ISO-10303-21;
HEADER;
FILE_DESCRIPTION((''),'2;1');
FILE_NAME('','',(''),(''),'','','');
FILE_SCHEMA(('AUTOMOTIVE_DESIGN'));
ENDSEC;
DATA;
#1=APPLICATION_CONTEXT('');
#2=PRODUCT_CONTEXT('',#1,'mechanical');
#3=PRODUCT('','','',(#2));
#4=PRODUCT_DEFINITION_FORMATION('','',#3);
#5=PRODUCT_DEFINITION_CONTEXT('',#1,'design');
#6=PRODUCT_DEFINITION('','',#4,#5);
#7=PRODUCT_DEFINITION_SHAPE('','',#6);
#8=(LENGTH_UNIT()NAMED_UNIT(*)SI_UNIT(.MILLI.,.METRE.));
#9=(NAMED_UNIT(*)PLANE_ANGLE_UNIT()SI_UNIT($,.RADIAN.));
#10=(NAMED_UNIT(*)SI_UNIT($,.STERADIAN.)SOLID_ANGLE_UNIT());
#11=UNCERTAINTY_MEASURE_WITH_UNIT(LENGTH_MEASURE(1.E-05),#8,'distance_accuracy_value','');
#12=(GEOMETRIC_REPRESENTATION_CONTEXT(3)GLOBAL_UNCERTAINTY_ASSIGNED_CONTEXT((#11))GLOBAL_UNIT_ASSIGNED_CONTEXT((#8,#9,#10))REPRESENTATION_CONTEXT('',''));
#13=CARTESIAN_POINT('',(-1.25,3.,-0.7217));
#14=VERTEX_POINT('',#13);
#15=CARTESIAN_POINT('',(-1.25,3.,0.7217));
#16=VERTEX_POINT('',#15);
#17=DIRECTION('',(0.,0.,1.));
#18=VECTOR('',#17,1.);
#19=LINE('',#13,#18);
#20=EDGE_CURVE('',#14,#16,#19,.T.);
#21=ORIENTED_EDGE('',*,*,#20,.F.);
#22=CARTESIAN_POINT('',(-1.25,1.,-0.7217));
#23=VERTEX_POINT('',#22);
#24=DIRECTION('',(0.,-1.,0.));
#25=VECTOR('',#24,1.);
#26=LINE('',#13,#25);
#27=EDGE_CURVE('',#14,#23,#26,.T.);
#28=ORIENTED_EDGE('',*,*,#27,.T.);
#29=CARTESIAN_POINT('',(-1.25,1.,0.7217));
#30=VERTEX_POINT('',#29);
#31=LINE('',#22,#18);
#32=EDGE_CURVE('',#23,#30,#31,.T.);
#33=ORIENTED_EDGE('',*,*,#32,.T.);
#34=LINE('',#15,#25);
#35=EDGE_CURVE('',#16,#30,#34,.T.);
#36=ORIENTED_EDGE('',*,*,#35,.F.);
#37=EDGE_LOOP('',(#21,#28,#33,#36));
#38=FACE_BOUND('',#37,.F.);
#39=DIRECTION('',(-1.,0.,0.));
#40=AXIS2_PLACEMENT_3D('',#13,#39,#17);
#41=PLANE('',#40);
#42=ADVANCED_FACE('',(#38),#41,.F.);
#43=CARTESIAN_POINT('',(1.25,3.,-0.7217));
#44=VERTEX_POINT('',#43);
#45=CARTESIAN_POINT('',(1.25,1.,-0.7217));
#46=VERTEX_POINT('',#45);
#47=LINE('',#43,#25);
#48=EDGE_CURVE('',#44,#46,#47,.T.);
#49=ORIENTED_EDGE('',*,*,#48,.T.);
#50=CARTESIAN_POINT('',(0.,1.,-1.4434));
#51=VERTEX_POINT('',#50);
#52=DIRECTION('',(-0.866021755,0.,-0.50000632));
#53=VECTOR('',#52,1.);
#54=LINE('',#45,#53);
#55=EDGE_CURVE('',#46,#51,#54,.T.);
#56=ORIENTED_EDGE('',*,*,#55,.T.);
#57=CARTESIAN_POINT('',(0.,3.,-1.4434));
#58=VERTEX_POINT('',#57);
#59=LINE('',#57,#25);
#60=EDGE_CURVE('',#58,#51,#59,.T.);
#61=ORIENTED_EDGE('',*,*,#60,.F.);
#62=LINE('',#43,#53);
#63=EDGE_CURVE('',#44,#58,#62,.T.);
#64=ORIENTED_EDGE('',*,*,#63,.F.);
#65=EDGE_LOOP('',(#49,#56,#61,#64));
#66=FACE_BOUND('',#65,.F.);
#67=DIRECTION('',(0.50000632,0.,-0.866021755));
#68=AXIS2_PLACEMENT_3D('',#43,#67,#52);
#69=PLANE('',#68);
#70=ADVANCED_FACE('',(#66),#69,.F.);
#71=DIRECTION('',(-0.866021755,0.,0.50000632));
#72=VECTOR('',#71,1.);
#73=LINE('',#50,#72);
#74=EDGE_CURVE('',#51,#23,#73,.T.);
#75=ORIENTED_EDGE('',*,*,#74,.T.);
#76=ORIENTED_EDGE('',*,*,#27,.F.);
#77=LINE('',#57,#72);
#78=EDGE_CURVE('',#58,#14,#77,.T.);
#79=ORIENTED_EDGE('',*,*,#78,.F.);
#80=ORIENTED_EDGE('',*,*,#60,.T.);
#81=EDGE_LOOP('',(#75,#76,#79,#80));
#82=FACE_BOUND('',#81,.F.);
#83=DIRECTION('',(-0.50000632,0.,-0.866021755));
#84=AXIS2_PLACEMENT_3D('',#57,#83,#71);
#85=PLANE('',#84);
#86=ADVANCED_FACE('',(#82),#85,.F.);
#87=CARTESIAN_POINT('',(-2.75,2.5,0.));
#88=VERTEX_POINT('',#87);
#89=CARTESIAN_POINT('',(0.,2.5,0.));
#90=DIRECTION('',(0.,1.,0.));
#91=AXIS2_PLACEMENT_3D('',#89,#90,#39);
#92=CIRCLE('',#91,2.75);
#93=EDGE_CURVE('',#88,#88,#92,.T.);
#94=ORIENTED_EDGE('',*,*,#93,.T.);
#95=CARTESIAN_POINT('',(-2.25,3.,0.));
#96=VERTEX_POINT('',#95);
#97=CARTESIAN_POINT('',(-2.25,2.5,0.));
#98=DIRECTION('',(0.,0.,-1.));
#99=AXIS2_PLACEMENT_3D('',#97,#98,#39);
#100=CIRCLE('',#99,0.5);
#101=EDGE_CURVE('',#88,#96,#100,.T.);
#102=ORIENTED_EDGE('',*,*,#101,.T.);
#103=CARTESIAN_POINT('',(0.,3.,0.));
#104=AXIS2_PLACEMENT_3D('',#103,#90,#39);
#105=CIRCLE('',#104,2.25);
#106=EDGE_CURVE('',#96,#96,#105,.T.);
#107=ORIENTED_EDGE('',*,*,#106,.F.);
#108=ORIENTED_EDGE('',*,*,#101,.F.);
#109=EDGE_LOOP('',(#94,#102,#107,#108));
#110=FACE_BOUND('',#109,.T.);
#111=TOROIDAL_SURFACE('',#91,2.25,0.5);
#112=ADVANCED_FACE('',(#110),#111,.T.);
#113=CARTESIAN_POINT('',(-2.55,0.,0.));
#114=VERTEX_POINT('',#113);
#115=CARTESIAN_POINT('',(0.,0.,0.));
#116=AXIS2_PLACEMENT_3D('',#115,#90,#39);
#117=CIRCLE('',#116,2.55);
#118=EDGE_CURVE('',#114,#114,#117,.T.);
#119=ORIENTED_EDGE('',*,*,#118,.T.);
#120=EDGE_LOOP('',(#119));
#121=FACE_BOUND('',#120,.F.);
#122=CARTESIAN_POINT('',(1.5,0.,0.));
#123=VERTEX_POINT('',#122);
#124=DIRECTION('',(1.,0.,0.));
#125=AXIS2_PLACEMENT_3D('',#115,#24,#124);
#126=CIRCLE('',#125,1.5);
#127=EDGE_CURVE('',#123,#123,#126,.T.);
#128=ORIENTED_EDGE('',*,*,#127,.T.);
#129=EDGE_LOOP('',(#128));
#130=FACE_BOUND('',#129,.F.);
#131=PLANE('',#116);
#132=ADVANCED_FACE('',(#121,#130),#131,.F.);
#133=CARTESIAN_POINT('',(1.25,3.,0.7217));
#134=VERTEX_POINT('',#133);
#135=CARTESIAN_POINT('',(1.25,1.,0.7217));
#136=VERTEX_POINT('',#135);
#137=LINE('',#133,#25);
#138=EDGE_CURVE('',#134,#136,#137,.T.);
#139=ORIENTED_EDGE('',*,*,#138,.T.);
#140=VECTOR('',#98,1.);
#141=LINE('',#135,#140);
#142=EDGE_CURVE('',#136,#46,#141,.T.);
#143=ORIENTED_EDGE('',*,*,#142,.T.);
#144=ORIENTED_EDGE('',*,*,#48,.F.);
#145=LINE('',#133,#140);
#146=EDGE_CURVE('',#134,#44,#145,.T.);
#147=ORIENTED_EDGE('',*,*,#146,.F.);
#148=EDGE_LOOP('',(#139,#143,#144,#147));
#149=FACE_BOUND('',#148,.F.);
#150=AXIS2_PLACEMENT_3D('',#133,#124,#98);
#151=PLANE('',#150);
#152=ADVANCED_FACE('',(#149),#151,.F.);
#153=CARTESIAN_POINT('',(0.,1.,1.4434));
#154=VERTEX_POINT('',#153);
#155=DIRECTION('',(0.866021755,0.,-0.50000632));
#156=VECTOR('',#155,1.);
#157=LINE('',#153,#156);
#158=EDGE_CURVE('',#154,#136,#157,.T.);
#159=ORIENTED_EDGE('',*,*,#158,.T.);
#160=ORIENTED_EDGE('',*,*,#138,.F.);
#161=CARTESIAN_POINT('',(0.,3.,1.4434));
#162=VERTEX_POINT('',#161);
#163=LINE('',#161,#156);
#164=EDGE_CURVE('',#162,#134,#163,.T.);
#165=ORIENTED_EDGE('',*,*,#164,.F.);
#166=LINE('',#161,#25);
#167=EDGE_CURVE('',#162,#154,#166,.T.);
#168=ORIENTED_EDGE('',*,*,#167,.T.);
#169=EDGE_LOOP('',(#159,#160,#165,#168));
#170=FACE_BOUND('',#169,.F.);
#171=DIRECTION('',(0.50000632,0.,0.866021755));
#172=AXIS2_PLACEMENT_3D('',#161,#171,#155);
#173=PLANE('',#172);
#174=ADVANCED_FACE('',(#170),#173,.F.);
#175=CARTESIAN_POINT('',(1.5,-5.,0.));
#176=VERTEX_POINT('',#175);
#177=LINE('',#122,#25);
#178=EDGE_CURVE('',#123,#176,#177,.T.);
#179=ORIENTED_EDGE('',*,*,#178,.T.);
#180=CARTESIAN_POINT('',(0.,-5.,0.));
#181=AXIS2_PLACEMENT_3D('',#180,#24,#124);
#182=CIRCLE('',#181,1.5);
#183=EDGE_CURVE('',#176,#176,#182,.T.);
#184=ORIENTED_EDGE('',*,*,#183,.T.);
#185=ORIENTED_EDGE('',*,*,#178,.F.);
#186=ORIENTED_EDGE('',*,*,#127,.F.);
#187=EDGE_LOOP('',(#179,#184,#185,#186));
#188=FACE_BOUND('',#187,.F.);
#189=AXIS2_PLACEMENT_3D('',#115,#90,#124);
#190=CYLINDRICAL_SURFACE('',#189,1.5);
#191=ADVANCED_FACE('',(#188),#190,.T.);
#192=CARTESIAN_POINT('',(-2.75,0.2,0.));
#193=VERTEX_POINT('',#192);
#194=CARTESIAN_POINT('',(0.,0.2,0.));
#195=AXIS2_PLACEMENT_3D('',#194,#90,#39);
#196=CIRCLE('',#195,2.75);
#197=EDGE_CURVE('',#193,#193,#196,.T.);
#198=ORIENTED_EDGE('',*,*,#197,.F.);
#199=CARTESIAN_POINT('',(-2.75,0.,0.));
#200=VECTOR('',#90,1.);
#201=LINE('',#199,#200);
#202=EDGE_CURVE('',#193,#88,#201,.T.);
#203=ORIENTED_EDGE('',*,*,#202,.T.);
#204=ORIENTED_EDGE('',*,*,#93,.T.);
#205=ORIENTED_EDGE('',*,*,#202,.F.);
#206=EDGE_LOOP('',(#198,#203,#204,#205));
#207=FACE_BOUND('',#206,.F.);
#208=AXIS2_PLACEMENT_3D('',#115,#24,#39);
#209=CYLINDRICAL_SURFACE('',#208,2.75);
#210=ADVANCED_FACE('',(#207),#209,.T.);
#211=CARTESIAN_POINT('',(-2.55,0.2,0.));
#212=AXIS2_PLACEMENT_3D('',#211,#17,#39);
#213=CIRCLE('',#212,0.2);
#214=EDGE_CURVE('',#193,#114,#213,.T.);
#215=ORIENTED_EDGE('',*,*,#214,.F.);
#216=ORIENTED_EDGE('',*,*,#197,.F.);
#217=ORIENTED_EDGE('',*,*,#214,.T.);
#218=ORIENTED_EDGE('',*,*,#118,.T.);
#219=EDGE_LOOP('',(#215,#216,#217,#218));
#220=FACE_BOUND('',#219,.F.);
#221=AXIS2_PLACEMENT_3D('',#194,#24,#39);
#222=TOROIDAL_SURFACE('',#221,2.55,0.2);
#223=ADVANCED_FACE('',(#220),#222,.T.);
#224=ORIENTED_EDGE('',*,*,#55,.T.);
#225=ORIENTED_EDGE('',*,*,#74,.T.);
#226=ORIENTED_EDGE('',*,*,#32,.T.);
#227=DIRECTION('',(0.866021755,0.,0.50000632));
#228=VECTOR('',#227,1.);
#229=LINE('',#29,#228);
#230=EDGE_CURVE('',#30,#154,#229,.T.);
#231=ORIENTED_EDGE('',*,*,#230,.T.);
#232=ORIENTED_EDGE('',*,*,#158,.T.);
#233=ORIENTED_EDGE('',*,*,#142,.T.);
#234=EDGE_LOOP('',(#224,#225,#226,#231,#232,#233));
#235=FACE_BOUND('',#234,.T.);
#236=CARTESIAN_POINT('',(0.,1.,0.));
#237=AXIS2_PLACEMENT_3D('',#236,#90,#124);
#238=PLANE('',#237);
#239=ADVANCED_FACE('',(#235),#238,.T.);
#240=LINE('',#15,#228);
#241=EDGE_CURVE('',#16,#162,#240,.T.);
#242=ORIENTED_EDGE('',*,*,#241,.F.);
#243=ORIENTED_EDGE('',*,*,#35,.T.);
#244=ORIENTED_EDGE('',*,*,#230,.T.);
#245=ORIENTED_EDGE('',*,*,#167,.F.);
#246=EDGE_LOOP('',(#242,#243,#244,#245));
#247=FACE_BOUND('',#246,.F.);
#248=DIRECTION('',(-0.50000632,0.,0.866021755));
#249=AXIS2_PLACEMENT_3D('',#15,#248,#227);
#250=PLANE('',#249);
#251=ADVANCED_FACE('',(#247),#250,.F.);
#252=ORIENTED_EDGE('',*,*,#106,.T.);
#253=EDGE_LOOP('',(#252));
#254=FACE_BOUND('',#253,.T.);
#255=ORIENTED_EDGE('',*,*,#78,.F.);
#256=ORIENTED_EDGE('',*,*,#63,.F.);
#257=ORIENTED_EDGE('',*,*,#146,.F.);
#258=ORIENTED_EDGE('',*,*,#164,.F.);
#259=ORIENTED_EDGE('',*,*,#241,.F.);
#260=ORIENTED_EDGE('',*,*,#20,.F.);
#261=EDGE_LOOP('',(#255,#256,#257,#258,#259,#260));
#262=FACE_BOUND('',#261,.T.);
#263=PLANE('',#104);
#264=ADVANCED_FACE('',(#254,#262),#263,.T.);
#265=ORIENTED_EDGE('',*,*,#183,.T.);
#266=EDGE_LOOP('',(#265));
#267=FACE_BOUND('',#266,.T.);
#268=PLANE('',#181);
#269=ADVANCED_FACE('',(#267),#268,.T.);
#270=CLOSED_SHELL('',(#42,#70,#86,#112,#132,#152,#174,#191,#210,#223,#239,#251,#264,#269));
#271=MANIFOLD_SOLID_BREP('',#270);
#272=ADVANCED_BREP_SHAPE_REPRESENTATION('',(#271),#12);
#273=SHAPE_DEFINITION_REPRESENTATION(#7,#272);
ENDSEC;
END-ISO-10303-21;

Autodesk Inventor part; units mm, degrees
ref_plane "YZ Plane" through (0, 0, 0) normal (1, 0, 0) x (0, 1, 0)
ref_plane "XZ Plane" through (0, 0, 0) normal (0, 1, 0) x (-1, 0, 0)
ref_plane "XY Plane" through (0, 0, 0) normal (0, 0, 1) x (1, 0, 0)
sketch "スケッチ1" plane through (0, 0, 0) normal (0, 1, 0) x (-1, 0, 0)
  circle A0 centre (0, 0) radius 2.75
  dimension "d0" = 5.5
extrude "押し出し1" add sketch "スケッチ1" along normal blind 3
sketch "スケッチ2" plane through (0, 0, 0) normal (0, -1, 0) x (1, 0, 0)
  circle A0 centre (0, 0) radius 1.5
  dimension "d3" = 3
extrude "押し出し2" add sketch "スケッチ2" along normal blind 5
fillet "フィレット1" radius 0.5 1 edges at (2.75, 3, 0)
fillet "フィレット1" radius 0.2 1 edges at (2.75, 0, 0)
sketch "スケッチ3" plane through (0, 3, 0) normal (0, 1, 0) x (1, 0, 0)
  line L0 (0, 1.4434) -> (-1.25, 0.7217)
  line L1 (-1.25, 0.7217) -> (-1.25, -0.7217)
  line L2 (-1.25, -0.7217) -> (0, -1.4434)
  line L3 (0, -1.4434) -> (1.25, -0.7217)
  line L4 (1.25, -0.7217) -> (1.25, 0.7217)
  line L5 (1.25, 0.7217) -> (0, 1.4434)
  line L6 (0, 1.4434) -> (0, -1.4434) construction
  circle A0 centre (0, 0) radius 1.4434 construction
  dimension "d12" = 2.5
extrude "押し出し3" cut sketch "スケッチ3" against normal blind 2
thread "ねじ1" size "M3x0.5" class "6g" standard "ANSI Metric M Profile" full length
properties part number "M3-CapScrew"
